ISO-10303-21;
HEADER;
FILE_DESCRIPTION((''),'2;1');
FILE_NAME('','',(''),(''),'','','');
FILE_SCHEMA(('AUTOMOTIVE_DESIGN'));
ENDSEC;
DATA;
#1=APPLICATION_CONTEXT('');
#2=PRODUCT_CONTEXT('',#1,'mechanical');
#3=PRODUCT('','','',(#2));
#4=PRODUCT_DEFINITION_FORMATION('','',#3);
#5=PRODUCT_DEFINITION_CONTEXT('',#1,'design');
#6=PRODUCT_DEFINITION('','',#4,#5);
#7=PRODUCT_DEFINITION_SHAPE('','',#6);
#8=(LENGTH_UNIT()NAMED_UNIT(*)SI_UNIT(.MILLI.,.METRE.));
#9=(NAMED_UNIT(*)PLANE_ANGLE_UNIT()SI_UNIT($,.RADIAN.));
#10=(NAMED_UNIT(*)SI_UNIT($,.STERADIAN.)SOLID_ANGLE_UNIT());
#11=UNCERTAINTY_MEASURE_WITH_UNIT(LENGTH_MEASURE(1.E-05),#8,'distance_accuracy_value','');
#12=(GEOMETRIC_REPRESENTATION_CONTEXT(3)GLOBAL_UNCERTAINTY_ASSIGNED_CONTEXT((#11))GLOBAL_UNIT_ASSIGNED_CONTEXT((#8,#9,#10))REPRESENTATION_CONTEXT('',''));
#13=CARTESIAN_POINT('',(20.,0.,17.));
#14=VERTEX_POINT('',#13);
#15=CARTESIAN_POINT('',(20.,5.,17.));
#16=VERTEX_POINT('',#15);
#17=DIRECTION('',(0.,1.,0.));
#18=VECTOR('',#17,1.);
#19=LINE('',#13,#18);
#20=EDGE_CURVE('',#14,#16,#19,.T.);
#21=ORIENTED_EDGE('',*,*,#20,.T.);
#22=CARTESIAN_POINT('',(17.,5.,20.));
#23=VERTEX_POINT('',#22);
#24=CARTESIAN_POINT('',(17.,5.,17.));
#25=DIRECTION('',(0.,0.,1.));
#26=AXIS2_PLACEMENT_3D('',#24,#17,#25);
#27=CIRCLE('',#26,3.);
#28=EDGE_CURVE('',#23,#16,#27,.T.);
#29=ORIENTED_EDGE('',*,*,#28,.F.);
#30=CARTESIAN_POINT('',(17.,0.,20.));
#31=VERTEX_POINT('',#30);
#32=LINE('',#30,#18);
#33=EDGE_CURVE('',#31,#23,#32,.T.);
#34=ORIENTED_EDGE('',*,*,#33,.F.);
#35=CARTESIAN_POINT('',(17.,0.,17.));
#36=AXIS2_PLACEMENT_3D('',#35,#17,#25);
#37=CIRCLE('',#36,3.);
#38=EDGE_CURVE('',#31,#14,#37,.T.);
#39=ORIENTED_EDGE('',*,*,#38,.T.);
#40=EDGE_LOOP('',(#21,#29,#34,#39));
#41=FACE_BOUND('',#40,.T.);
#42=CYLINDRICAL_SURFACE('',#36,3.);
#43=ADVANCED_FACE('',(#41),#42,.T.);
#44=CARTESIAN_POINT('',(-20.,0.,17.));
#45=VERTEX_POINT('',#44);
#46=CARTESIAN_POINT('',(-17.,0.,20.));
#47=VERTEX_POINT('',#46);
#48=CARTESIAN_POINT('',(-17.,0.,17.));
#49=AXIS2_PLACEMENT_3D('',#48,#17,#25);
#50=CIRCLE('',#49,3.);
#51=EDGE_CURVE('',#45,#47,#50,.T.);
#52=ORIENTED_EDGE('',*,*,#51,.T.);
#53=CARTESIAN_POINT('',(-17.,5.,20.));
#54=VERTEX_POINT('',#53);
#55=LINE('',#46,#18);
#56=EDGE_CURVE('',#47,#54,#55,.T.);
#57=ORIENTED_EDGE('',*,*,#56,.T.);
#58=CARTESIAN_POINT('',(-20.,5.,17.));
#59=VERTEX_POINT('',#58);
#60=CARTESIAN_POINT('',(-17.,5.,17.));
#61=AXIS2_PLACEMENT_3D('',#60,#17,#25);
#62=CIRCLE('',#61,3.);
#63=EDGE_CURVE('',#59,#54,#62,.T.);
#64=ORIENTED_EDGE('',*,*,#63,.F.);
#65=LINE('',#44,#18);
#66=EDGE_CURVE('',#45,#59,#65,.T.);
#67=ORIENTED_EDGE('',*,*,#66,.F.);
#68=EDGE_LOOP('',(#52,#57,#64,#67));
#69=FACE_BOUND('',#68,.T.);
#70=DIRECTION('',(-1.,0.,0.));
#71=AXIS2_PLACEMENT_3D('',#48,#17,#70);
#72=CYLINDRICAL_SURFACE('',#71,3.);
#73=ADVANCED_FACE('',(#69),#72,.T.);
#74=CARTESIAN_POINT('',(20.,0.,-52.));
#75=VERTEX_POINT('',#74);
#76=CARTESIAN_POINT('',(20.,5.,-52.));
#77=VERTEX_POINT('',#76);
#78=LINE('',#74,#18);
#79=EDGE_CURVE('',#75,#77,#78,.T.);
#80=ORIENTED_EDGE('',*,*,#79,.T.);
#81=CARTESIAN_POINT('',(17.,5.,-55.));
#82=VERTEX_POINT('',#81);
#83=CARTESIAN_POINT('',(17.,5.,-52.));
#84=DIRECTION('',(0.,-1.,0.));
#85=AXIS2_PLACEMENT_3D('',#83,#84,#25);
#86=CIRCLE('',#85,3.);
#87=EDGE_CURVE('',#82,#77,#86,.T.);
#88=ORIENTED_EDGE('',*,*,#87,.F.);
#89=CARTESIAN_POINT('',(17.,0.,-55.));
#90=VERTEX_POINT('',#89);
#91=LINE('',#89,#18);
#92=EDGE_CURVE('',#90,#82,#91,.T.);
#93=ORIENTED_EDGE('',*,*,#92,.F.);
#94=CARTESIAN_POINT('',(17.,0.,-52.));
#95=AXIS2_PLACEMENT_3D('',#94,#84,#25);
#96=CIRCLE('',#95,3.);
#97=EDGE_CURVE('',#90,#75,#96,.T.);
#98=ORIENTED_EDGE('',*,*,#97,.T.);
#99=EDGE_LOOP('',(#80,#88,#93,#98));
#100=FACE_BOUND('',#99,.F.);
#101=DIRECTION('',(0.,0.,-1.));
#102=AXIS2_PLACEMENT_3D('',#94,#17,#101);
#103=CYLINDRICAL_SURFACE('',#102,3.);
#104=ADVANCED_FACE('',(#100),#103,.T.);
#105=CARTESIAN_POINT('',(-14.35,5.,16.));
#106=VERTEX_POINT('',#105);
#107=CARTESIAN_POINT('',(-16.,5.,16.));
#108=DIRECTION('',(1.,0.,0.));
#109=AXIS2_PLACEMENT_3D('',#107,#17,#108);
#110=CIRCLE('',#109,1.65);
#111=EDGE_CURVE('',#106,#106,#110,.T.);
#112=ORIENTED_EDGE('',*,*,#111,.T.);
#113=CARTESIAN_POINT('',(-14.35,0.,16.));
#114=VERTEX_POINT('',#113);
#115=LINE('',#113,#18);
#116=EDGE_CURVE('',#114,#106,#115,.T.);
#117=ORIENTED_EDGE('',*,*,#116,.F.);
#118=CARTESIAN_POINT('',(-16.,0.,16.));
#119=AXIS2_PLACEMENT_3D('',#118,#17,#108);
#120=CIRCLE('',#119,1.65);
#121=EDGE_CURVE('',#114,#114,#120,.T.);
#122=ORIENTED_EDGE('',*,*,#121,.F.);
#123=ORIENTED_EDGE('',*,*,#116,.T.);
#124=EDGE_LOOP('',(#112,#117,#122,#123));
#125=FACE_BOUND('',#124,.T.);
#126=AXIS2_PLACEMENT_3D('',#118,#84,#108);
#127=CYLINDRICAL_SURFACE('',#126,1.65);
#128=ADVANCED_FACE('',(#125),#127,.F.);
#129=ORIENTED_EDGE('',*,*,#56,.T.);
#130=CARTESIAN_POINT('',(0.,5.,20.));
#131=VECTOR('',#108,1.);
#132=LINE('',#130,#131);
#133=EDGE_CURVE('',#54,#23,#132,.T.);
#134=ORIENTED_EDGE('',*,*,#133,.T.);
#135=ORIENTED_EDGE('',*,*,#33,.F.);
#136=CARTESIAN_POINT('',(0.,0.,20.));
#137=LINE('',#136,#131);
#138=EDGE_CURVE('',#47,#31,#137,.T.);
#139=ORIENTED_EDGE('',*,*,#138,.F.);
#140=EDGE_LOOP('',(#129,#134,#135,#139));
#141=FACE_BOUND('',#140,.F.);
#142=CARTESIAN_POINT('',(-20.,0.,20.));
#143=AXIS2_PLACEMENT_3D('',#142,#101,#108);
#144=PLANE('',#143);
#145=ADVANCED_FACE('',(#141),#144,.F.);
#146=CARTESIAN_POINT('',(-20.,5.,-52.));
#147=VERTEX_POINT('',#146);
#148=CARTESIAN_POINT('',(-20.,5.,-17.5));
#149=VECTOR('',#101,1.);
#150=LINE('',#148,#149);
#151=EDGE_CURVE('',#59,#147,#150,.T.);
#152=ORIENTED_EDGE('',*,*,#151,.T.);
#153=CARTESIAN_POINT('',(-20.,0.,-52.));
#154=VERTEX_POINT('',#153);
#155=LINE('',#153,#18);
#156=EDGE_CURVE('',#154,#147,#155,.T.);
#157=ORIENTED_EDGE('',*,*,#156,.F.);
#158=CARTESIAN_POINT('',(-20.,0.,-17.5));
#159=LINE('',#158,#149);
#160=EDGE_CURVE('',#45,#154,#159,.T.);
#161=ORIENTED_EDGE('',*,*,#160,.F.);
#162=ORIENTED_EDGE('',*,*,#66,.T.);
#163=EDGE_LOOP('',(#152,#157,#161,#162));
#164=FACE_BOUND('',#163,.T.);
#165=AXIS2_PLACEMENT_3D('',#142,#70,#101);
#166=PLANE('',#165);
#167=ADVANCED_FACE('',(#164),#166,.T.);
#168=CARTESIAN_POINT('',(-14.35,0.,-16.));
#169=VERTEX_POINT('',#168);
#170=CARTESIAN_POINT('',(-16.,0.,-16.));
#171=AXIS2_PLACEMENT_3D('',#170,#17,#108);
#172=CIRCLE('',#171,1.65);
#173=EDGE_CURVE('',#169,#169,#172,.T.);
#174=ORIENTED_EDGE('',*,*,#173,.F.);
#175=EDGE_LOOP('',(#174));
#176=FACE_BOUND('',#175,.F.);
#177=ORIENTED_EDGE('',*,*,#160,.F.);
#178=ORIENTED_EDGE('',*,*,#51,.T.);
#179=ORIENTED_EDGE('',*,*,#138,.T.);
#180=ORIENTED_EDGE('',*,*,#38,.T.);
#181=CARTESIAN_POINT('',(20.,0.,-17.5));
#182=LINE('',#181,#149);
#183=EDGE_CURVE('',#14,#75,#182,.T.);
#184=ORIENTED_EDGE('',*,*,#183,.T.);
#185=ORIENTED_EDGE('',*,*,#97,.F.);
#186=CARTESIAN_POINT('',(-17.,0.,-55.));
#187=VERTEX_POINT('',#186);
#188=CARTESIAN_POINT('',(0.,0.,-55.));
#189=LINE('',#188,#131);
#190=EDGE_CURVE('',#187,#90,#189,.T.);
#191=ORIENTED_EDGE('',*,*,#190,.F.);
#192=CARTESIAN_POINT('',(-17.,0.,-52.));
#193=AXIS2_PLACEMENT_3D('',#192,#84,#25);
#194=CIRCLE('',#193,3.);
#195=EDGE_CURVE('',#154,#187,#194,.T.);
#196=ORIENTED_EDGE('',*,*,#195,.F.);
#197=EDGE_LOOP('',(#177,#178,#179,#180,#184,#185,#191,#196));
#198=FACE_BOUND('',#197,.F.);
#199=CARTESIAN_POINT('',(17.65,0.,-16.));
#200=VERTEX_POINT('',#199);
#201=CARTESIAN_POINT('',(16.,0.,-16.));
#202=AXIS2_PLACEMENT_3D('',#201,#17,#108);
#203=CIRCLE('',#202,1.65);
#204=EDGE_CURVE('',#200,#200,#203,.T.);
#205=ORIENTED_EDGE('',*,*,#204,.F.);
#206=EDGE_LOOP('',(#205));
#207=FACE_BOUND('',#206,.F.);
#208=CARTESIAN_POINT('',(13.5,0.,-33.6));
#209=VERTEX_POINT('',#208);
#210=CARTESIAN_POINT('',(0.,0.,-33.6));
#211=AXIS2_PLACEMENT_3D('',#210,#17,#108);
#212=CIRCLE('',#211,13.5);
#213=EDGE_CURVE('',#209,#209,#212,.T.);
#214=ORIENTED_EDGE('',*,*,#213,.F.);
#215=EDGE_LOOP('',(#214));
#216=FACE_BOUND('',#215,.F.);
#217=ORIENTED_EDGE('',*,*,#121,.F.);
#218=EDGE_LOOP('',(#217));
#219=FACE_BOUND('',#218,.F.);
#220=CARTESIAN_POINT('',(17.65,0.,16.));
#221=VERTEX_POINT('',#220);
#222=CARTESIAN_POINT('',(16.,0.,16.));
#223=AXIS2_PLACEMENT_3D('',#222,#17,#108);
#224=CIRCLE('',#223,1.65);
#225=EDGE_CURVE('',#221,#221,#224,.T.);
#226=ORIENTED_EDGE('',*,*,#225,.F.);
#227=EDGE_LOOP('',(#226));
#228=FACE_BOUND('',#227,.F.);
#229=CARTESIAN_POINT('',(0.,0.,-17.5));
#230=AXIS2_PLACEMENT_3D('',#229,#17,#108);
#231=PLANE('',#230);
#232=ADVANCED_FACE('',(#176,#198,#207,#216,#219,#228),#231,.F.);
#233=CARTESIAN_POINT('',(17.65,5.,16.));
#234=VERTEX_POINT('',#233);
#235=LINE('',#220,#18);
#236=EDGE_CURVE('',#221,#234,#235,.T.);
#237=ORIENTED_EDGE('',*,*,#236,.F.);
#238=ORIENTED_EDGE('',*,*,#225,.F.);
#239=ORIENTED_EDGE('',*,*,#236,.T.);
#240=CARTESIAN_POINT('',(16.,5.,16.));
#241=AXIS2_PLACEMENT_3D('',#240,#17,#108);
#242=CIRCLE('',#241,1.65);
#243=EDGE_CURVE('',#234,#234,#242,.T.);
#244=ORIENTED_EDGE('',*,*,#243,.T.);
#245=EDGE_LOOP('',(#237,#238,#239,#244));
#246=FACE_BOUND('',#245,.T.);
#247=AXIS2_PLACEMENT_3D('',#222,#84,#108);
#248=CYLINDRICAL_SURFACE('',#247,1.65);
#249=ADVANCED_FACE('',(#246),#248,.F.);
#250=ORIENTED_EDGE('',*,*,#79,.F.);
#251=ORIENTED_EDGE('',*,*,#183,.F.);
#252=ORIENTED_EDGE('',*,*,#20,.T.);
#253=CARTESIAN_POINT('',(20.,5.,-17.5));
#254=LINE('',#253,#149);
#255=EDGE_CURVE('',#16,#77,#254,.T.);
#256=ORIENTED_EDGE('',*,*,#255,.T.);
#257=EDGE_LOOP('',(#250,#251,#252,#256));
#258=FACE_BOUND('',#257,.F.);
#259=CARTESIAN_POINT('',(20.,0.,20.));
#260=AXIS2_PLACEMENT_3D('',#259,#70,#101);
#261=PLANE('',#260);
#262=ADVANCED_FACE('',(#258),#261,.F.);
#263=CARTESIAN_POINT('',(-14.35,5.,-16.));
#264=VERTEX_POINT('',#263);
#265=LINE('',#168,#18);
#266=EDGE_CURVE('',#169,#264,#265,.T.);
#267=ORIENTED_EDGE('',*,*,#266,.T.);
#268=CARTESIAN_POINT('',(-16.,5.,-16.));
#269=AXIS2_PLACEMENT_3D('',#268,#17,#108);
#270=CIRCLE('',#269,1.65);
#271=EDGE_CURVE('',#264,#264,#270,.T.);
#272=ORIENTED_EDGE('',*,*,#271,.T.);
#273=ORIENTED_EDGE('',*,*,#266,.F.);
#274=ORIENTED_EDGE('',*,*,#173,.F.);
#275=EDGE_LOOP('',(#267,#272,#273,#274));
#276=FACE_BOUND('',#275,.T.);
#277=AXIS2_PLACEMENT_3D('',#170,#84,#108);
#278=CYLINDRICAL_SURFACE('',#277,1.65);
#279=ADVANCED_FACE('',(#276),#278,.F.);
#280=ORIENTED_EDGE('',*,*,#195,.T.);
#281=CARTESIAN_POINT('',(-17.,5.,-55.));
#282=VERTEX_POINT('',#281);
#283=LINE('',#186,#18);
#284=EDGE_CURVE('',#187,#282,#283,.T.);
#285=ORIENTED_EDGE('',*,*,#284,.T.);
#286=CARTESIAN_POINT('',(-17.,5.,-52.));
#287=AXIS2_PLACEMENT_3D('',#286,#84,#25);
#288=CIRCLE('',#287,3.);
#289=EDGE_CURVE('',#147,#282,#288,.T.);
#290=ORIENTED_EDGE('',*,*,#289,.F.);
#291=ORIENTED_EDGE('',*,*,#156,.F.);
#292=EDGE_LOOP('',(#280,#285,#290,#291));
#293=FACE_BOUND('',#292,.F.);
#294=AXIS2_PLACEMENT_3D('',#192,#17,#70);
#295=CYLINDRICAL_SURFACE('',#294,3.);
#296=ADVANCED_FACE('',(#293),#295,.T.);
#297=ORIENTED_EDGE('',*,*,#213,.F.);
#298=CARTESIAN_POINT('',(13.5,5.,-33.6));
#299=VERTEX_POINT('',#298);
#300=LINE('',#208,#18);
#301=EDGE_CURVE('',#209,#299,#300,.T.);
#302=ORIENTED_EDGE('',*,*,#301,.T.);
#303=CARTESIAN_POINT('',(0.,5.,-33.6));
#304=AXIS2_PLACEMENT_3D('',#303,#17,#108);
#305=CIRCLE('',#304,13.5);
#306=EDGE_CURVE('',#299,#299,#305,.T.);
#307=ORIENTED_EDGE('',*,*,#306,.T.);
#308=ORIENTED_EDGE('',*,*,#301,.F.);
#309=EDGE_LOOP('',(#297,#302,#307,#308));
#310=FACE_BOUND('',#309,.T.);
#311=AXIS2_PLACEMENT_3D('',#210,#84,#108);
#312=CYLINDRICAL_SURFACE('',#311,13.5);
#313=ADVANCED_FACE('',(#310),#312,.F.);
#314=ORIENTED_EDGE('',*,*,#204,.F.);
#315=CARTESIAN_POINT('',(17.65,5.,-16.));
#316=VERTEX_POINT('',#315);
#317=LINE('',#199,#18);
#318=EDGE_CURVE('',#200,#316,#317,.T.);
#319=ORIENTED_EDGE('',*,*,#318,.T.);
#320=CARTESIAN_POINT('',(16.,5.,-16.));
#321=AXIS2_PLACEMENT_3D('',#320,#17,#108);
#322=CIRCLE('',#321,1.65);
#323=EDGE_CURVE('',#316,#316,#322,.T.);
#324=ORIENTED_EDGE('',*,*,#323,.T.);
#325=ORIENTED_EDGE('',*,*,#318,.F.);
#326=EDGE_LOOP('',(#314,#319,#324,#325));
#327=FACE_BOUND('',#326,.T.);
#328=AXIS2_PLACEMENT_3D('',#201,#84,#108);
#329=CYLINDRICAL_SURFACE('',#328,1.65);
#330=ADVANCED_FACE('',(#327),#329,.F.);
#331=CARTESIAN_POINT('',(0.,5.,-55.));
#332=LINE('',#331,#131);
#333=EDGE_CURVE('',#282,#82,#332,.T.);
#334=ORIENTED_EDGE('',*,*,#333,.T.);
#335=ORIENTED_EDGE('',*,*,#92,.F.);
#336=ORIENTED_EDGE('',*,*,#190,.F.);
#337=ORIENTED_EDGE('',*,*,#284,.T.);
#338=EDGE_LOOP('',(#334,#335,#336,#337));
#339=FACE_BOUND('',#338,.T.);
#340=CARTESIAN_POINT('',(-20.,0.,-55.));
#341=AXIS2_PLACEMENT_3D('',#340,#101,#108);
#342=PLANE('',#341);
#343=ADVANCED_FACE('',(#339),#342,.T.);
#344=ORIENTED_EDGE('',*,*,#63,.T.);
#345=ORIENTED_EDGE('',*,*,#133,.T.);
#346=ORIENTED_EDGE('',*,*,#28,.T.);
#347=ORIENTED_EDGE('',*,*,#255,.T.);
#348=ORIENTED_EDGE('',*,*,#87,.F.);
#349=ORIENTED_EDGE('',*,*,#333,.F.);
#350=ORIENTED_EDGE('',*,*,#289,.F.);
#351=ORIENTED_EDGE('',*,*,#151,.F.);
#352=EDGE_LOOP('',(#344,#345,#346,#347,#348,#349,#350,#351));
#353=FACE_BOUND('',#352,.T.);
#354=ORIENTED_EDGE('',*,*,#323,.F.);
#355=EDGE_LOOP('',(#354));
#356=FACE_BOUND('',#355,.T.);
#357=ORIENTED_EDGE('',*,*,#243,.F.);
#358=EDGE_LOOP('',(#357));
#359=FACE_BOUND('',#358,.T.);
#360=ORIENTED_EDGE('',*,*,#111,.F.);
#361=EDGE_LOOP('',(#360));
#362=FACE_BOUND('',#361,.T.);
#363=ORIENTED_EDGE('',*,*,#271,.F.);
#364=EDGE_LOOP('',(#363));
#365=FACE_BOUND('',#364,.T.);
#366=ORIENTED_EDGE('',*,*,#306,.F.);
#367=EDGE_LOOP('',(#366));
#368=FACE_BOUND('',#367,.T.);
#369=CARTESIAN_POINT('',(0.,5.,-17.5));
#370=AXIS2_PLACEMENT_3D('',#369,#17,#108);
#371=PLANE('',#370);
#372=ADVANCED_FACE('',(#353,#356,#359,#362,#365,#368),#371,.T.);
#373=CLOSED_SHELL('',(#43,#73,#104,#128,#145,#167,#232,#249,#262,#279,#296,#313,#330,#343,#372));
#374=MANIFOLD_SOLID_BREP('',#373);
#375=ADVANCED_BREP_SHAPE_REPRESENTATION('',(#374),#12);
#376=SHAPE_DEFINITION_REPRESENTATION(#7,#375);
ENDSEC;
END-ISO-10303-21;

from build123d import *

# Parameters (mm, degrees)
SKETCH_1_W      = 40
SKETCH_1_H      = 75
SKETCH_1_R      = 1.65
SKETCH_1_R_2    = 13.5
EXTRUDE_1_DEPTH = 5
FILLET_1_R      = 3


with BuildPart() as part:
    # 草图1 → 凸台-拉伸1 (new body)
    with BuildSketch(Plane(origin=(0, 0, 0), x_dir=(1, 0, 0), z_dir=(0, 1, 0))):
        with Locations((0, 17.5)):
            Rectangle(SKETCH_1_W, SKETCH_1_H)
        with Locations((-16, 16)):
            Circle(SKETCH_1_R, mode=Mode.SUBTRACT)
        with Locations((16, 16)):
            Circle(SKETCH_1_R, mode=Mode.SUBTRACT)
        with Locations((16, -16)):
            Circle(SKETCH_1_R, mode=Mode.SUBTRACT)
        with Locations((-16, -16)):
            Circle(SKETCH_1_R, mode=Mode.SUBTRACT)
        with Locations((0, 33.6)):
            Circle(SKETCH_1_R_2, mode=Mode.SUBTRACT)
    extrude(amount=EXTRUDE_1_DEPTH)

    # 圆角1
    fillet_1_edges = [part.edges().sort_by_distance(p)[0] for p in [
        (20, 2.5, 20),
        (-20, 2.5, 20),
        (-20, 2.5, -55),
        (20, 2.5, -55),
    ]]
    fillet(fillet_1_edges, radius=FILLET_1_R)


solid = part.part
